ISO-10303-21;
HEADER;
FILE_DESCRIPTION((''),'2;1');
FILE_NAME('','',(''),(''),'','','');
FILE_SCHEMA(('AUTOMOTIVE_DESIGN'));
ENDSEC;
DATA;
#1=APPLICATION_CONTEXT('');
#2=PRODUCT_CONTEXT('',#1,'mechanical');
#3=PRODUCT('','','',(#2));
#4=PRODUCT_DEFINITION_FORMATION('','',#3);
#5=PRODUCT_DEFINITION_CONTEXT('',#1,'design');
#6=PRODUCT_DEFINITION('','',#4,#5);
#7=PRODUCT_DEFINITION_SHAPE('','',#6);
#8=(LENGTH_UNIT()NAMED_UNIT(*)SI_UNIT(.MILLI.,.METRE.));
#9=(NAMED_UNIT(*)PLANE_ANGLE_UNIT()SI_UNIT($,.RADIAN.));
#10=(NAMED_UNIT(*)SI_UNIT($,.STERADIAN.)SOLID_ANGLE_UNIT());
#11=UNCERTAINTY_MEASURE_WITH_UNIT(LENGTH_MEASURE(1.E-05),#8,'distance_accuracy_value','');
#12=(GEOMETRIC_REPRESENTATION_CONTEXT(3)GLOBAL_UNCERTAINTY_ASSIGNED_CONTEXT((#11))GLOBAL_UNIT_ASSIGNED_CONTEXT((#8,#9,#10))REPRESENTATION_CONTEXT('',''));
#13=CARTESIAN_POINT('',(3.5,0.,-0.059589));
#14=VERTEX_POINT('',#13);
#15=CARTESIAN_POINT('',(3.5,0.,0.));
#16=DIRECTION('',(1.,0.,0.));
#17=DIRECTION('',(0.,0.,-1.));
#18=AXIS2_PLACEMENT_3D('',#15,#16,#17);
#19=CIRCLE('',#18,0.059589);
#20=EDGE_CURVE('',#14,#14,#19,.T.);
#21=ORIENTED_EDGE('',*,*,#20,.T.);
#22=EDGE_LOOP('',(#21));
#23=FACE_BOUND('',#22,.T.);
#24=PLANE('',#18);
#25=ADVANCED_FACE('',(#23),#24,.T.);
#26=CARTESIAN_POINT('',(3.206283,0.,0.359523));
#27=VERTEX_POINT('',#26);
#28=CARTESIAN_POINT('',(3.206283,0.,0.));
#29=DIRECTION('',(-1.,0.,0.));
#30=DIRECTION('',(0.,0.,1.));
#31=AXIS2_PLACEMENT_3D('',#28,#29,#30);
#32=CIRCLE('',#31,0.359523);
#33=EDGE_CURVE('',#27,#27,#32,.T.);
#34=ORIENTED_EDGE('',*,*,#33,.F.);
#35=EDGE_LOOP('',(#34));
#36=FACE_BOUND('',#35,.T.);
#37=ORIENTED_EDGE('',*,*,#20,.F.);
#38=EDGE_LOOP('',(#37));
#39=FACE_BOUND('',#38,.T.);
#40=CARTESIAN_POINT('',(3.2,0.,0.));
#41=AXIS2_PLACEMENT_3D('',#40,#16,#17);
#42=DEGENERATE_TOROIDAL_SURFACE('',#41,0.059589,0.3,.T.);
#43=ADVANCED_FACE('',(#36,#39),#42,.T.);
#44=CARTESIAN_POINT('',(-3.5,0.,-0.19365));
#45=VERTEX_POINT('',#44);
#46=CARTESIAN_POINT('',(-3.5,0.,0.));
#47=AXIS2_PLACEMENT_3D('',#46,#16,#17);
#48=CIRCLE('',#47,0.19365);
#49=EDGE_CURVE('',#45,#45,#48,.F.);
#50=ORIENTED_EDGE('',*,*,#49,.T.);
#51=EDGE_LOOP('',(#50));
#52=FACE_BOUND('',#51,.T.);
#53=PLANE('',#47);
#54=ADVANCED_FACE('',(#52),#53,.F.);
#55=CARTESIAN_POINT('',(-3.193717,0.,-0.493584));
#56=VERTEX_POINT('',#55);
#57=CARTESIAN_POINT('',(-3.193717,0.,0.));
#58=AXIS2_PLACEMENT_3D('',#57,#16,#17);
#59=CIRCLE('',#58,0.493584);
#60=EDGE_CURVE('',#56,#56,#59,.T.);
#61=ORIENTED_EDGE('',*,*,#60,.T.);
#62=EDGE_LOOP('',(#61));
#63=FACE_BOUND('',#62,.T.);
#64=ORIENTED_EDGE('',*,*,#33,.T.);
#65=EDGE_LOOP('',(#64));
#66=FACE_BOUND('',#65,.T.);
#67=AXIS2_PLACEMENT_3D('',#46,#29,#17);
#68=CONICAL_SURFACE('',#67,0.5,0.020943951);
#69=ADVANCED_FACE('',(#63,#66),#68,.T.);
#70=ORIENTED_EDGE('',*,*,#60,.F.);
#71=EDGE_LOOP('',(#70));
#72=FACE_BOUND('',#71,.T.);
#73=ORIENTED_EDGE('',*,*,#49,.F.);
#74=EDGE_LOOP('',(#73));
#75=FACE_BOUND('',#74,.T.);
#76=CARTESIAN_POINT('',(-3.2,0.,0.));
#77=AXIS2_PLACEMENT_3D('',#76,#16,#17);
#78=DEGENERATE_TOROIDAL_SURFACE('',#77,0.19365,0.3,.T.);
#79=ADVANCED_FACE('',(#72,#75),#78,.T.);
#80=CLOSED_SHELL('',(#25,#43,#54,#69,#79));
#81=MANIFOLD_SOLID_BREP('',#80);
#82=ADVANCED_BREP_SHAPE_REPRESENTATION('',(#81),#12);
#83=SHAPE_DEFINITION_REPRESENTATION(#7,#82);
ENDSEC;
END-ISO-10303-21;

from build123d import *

# Parameters (mm, degrees)
SKETCH2_R           = 0.5
BOSS_EXTRUDE1_DEPTH = 7
BOSS_EXTRUDE1_TAPER = 1.2
FILLET1_R           = 0.3


with BuildPart() as part:
    # Sketch2 → Boss-Extrude1 (new body)
    with BuildSketch(Plane(origin=(-3.5, 0, 0), x_dir=(0, 0, -1), z_dir=(1, 0, 0))):
        Circle(SKETCH2_R)
    extrude(amount=BOSS_EXTRUDE1_DEPTH, taper=BOSS_EXTRUDE1_TAPER)

    # Fillet1
    fillet1_edges = [part.edges().sort_by_distance(p)[0] for p in [
        (-3.5, 0, 0.5),
        (3.5, 0, 0.353370903),
    ]]
    fillet(fillet1_edges, radius=FILLET1_R)


solid = part.part
